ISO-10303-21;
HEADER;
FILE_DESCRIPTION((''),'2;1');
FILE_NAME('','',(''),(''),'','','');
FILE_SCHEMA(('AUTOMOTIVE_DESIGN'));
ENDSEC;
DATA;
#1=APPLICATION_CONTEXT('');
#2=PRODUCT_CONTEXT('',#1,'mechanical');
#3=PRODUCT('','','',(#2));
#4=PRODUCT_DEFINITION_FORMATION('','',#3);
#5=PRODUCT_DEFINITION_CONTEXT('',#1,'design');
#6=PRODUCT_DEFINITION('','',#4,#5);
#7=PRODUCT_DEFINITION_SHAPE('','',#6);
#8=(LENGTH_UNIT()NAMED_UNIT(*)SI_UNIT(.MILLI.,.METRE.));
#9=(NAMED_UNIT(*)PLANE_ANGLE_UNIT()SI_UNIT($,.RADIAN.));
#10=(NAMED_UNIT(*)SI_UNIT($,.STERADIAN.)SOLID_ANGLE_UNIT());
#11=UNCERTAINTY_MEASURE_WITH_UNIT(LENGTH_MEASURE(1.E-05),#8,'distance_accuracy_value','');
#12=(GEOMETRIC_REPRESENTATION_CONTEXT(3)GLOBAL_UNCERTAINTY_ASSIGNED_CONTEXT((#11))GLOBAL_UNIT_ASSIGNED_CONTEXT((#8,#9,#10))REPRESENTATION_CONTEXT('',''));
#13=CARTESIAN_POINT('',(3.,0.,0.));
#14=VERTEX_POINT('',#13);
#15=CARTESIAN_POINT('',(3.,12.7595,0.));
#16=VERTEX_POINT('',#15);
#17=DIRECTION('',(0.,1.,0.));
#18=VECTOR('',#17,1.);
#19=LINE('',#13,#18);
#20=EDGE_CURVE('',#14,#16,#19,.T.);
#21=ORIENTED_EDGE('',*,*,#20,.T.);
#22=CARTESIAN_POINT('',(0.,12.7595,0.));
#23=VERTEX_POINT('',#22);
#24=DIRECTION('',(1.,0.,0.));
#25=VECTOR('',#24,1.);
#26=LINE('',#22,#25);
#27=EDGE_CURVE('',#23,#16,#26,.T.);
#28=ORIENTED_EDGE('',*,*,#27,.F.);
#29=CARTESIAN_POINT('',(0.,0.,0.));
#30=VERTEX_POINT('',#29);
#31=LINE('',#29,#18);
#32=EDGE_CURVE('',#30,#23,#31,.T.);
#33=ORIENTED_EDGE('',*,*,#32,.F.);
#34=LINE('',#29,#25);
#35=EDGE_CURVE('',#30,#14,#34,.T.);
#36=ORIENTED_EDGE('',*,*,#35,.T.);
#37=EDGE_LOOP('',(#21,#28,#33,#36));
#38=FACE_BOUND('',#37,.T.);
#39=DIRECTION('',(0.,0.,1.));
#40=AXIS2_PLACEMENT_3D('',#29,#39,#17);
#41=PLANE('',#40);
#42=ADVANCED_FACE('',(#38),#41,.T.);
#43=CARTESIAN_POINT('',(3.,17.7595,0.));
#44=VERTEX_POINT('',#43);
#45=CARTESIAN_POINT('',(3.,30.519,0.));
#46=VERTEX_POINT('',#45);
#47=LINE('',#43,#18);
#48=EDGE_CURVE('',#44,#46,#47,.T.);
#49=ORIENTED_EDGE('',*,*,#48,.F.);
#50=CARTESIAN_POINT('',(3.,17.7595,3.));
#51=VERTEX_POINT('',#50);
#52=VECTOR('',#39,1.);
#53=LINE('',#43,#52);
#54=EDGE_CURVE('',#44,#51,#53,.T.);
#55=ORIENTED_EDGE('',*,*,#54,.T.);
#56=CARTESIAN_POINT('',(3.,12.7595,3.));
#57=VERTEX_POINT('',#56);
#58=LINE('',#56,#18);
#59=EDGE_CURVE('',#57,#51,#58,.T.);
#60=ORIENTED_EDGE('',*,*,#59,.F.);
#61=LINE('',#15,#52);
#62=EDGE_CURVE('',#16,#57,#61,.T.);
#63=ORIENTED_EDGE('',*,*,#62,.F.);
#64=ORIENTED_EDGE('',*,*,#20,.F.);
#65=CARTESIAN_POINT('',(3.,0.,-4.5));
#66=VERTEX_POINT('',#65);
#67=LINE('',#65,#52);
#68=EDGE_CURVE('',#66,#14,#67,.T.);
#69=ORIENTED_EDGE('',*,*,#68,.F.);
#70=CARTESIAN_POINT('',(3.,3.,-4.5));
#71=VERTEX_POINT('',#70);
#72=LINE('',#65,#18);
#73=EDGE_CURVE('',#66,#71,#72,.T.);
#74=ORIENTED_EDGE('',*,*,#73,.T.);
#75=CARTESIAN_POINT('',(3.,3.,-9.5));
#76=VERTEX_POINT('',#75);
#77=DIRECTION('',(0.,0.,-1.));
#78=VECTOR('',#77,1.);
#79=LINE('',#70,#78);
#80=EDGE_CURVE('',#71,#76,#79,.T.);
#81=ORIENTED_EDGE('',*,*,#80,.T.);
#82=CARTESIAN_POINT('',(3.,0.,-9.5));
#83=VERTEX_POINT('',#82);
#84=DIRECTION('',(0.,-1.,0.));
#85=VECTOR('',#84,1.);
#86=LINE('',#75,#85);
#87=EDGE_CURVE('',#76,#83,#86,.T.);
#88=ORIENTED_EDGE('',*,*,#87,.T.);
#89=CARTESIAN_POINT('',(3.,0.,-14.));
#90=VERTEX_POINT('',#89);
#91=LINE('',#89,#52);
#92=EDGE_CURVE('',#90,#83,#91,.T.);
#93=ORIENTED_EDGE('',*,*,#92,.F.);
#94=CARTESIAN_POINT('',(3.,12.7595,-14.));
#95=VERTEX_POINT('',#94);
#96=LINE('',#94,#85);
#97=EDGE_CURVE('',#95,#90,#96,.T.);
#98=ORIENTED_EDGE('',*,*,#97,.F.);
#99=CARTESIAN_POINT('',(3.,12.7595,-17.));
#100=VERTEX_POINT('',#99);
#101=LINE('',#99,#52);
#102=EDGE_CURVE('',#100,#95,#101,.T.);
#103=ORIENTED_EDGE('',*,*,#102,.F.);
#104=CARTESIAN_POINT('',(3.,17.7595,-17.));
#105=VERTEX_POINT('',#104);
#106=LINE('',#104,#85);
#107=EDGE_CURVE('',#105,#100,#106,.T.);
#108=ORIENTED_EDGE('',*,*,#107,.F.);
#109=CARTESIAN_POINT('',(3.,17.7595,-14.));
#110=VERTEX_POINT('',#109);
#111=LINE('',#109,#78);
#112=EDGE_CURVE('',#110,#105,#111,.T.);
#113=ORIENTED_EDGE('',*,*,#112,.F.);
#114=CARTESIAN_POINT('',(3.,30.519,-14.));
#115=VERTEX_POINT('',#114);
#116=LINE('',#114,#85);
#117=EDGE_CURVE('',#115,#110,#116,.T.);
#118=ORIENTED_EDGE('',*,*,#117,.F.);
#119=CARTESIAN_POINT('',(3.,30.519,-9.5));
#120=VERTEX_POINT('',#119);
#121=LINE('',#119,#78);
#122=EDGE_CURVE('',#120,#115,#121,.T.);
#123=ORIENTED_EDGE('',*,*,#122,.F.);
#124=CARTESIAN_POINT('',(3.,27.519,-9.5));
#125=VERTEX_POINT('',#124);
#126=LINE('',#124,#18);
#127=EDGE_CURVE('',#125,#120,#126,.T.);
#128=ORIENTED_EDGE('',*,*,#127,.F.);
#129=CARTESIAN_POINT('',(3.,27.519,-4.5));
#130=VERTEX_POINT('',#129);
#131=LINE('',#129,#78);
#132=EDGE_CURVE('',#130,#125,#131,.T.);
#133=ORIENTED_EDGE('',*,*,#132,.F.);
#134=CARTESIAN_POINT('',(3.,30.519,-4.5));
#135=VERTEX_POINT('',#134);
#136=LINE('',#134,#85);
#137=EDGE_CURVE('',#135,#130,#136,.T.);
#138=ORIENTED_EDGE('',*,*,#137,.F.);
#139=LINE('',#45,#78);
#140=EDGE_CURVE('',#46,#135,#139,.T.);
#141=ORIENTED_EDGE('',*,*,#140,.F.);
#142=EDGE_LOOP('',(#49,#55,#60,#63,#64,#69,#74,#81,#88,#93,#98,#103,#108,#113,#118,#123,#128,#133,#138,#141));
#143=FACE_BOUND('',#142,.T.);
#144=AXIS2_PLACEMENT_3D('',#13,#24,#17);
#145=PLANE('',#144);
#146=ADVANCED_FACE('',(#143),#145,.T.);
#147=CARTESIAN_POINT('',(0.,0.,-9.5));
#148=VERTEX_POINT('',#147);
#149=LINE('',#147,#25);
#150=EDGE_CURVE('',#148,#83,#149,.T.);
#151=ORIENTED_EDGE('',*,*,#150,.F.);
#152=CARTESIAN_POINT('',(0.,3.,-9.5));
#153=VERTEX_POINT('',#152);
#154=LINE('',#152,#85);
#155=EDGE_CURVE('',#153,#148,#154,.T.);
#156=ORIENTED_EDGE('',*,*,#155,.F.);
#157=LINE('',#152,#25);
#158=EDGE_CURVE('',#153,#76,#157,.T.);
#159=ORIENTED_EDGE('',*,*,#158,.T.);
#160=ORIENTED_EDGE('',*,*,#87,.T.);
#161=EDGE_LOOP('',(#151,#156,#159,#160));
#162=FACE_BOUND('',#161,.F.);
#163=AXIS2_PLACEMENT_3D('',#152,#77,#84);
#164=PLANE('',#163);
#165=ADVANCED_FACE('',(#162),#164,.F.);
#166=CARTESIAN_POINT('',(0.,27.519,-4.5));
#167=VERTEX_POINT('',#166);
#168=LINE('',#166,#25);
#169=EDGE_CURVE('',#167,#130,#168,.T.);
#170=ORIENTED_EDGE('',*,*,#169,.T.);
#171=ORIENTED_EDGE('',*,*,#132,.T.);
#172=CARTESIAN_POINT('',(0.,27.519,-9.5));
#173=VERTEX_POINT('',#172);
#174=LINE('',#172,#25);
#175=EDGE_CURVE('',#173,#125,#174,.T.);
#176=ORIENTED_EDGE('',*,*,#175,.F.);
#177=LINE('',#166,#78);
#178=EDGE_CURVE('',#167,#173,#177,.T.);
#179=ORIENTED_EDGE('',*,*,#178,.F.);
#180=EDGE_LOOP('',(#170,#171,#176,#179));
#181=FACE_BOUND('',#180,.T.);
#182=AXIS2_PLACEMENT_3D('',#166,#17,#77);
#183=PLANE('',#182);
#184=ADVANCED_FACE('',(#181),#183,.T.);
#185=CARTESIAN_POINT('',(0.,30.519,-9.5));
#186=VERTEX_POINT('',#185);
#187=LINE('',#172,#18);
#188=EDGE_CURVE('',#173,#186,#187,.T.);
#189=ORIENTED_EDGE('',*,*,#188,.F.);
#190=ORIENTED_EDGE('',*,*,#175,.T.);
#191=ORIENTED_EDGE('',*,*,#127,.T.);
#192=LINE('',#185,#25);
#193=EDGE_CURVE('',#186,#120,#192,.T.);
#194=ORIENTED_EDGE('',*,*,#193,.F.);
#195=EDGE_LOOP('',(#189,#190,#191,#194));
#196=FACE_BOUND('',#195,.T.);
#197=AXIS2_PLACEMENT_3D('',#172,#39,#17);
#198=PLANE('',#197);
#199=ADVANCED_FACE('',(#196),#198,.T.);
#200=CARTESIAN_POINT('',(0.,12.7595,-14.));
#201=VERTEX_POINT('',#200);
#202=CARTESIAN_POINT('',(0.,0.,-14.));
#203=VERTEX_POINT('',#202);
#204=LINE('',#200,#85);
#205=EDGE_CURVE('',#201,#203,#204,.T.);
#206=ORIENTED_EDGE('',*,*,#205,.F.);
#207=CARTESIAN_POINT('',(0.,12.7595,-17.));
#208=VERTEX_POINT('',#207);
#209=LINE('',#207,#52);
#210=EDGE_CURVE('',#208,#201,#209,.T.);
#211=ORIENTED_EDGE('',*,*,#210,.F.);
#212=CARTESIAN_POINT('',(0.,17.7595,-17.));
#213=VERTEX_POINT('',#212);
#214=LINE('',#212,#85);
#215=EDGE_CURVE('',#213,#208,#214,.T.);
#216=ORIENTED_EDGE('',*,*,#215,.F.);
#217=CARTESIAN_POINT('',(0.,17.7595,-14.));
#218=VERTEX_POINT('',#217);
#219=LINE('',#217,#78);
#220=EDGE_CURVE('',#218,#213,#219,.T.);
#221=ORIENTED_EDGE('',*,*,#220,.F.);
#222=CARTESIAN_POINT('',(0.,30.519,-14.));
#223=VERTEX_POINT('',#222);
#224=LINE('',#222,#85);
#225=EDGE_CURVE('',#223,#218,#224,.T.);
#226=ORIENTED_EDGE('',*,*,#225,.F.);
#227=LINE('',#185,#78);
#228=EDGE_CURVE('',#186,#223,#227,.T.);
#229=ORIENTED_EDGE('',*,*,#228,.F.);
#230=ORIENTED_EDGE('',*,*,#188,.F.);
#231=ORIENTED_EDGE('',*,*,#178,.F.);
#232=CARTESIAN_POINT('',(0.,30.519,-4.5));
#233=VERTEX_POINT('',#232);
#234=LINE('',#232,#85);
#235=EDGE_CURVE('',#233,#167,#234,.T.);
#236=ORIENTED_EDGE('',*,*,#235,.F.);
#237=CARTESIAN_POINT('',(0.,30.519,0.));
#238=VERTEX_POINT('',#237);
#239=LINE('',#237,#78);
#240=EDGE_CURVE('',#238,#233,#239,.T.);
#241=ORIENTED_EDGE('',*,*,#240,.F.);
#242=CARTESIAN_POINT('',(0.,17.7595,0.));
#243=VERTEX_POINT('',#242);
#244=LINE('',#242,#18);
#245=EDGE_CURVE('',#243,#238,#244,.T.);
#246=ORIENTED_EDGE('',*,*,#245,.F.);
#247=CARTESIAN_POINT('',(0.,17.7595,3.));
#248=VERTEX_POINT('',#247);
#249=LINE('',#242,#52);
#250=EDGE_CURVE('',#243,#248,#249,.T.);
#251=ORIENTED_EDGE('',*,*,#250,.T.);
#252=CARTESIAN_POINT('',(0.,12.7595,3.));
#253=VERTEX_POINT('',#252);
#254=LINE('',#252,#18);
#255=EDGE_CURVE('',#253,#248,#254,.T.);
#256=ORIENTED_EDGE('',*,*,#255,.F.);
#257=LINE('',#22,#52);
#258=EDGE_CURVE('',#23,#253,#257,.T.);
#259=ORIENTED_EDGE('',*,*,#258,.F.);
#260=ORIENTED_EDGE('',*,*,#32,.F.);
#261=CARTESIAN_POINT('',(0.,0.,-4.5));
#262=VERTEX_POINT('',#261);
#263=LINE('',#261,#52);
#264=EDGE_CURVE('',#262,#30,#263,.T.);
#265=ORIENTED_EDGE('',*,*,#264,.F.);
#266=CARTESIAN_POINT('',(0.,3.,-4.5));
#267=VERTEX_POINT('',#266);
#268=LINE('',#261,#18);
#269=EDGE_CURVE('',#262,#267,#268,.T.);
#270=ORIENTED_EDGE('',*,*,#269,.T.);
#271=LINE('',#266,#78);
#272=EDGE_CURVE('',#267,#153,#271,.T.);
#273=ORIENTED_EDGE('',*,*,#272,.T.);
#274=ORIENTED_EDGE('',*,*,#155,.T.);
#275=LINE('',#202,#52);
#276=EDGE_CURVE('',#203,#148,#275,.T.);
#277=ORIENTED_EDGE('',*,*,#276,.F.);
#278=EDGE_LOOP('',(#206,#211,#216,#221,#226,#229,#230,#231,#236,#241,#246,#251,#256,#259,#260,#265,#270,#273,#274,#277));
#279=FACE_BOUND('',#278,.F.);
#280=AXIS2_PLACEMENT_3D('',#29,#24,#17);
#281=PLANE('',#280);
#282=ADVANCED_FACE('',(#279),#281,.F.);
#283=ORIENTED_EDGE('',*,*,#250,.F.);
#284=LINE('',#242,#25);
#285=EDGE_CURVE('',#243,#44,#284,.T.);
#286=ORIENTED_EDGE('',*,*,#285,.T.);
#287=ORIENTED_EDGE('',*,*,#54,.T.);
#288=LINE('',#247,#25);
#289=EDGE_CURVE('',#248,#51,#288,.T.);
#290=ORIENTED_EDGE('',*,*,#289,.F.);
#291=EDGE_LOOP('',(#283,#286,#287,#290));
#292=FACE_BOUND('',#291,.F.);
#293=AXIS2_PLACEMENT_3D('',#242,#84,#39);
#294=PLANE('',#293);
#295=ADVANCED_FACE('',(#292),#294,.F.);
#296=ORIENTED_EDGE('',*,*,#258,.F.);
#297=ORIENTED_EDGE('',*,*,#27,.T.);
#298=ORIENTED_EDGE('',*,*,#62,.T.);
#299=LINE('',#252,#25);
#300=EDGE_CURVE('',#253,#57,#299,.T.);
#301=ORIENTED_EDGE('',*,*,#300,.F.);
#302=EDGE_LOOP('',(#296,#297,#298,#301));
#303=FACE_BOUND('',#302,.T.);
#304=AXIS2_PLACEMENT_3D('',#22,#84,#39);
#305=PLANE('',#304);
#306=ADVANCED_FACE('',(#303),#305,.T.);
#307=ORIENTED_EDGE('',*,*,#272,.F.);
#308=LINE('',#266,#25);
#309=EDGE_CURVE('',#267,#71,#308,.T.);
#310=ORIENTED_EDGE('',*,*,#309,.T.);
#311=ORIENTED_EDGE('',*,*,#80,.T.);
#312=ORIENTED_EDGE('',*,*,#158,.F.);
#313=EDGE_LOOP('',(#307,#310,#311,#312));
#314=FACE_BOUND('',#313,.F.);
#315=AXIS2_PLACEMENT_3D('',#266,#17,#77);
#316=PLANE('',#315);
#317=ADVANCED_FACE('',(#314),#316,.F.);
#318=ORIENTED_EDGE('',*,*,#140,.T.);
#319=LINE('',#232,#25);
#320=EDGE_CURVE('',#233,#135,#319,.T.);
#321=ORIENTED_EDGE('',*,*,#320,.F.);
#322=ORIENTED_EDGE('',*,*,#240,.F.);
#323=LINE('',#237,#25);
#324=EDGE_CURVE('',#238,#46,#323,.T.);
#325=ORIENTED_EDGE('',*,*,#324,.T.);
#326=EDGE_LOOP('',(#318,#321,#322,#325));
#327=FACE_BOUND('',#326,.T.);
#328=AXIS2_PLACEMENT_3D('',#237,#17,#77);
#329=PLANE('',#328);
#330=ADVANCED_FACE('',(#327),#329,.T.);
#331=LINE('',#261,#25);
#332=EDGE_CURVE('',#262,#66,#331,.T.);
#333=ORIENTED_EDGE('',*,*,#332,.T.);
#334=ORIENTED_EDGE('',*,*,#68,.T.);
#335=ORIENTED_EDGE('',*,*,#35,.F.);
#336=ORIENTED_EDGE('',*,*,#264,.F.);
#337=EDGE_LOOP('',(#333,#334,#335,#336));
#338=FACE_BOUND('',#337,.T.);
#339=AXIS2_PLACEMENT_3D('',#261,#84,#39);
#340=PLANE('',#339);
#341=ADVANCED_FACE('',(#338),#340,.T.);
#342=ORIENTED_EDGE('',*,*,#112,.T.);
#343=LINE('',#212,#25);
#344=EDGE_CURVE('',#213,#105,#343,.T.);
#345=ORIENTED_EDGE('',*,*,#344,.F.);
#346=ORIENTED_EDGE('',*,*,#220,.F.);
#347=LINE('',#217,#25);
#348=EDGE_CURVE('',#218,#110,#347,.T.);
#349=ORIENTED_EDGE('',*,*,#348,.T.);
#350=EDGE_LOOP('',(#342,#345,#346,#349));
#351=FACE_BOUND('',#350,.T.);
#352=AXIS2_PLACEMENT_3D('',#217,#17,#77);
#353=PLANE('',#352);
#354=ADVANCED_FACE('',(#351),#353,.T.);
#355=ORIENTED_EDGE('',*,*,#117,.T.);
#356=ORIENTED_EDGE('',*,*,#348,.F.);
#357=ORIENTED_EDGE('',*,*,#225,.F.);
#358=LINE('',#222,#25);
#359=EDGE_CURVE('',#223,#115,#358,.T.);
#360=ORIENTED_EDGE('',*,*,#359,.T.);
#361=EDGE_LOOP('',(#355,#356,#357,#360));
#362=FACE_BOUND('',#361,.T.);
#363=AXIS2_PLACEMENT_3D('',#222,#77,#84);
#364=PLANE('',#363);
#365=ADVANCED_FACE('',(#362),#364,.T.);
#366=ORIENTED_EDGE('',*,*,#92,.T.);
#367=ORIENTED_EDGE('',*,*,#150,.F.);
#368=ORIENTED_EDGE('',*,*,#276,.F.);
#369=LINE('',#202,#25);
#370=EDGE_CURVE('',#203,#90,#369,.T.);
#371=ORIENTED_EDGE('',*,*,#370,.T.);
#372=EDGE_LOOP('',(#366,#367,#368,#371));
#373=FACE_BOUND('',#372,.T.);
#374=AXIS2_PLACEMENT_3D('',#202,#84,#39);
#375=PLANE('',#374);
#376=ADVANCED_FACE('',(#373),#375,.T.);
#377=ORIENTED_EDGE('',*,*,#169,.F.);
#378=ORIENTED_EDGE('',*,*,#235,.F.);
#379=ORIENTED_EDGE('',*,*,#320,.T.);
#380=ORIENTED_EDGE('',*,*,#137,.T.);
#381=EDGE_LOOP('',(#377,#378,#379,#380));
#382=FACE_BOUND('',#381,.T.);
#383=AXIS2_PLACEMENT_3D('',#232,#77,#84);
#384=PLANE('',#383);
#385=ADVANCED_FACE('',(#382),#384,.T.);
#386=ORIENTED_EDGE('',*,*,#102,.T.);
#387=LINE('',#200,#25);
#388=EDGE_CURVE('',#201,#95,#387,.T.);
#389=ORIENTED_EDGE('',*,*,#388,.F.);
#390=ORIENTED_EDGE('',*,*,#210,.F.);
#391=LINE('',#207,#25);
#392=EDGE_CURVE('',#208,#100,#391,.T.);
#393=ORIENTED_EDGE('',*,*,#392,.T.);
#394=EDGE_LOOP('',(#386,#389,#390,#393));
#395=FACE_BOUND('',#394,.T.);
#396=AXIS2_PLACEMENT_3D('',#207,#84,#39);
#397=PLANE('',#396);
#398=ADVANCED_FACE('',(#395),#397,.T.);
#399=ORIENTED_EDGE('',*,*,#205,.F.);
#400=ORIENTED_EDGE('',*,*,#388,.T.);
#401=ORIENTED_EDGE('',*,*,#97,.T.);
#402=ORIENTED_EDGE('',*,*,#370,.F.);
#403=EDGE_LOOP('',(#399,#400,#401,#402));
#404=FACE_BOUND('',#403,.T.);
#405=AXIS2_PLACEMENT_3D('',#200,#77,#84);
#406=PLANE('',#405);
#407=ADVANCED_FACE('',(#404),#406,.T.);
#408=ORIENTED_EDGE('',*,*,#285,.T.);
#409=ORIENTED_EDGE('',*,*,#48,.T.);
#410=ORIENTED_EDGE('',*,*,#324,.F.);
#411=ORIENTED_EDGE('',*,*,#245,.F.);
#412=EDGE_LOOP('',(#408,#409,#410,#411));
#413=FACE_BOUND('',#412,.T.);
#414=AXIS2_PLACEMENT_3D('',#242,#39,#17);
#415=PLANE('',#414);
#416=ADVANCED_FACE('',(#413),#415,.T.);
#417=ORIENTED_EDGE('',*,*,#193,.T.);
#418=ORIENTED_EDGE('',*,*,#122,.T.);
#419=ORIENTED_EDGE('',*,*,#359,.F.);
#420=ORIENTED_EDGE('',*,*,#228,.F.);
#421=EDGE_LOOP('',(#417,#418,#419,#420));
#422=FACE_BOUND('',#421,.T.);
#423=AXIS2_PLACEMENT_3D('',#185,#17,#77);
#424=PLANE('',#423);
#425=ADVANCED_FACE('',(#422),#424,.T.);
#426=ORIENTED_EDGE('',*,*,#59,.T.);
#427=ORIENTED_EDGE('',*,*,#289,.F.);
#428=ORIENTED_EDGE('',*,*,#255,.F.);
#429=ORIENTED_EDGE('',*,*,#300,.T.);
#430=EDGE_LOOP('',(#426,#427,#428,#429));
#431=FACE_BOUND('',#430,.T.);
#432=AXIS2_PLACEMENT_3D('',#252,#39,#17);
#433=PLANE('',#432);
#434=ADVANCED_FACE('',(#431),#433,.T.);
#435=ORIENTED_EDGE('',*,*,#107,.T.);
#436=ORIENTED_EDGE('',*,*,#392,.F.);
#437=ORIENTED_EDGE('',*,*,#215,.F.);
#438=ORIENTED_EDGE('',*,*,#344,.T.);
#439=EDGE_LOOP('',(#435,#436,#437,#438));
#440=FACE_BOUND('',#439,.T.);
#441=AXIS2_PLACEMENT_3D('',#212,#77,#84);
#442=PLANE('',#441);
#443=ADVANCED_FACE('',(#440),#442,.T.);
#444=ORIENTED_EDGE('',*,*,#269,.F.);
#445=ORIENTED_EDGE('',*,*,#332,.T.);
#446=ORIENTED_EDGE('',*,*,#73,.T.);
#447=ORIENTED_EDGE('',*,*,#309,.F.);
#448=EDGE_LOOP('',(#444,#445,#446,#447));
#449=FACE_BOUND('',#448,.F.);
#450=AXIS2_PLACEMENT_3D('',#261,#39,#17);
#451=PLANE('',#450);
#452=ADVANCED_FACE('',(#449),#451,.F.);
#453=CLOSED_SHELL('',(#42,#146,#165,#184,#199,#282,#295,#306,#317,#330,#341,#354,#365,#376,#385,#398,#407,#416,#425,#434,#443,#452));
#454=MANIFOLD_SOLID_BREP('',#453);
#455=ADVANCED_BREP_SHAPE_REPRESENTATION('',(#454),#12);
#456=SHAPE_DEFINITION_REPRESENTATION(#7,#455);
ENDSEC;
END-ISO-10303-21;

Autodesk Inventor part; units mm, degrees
ref_plane "YZ Plane" through (0, 0, 0) normal (1, 0, 0) x (0, 1, 0)
ref_plane "XZ Plane" through (0, 0, 0) normal (0, 1, 0) x (-1, 0, 0)
ref_plane "XY Plane" through (0, 0, 0) normal (0, 0, 1) x (1, 0, 0)
sketch "Boceto2" plane through (0, 0, 0) normal (1, 0, 0) x (0, 1, 0)
  line L0 (12.7595, 3) -> (17.7595, 3)
  line L1 (0, -4.5) -> (3, -4.5)
  line L2 (3, -4.5) -> (3, -9.5)
  line L3 (3, -9.5) -> (0, -9.5)
  line L4 (0, -14) -> (0, -9.5)
  line L5 (0, -4.5) -> (0, 0)
  line L6 (0, 0) -> (12.7595, 0)
  line L7 (12.7595, 0) -> (12.7595, 3)
  line L8 (17.7595, 0) -> (30.519, 0)
  line L9 (17.7595, 0) -> (17.7595, 3)
  line L10 (17.7595, -14) -> (17.7595, -17)
  line L11 (17.7595, -17) -> (12.7595, -17)
  line L12 (12.7595, -17) -> (12.7595, -14)
  line L13 (30.519, -14) -> (17.7595, -14)
  line L14 (12.7595, -14) -> (0, -14)
  line L15 (30.519, -4.5) -> (27.519, -4.5)
  line L16 (27.519, -4.5) -> (27.519, -9.5)
  line L17 (27.519, -9.5) -> (30.519, -9.5)
  line L18 (30.519, 0) -> (30.519, -4.5)
  line L19 (30.519, -9.5) -> (30.519, -14)
  dimension "d0" = 30.519
  dimension "d2" = 5
  dimension "d3" = 3
  dimension "d4" = 3
  dimension "d5" = 5
  dimension "d6" = 20
  dimension "d7" = 3
extrude "Extrusión1" add sketch "Boceto2" along normal blind 3
properties part number "back"
